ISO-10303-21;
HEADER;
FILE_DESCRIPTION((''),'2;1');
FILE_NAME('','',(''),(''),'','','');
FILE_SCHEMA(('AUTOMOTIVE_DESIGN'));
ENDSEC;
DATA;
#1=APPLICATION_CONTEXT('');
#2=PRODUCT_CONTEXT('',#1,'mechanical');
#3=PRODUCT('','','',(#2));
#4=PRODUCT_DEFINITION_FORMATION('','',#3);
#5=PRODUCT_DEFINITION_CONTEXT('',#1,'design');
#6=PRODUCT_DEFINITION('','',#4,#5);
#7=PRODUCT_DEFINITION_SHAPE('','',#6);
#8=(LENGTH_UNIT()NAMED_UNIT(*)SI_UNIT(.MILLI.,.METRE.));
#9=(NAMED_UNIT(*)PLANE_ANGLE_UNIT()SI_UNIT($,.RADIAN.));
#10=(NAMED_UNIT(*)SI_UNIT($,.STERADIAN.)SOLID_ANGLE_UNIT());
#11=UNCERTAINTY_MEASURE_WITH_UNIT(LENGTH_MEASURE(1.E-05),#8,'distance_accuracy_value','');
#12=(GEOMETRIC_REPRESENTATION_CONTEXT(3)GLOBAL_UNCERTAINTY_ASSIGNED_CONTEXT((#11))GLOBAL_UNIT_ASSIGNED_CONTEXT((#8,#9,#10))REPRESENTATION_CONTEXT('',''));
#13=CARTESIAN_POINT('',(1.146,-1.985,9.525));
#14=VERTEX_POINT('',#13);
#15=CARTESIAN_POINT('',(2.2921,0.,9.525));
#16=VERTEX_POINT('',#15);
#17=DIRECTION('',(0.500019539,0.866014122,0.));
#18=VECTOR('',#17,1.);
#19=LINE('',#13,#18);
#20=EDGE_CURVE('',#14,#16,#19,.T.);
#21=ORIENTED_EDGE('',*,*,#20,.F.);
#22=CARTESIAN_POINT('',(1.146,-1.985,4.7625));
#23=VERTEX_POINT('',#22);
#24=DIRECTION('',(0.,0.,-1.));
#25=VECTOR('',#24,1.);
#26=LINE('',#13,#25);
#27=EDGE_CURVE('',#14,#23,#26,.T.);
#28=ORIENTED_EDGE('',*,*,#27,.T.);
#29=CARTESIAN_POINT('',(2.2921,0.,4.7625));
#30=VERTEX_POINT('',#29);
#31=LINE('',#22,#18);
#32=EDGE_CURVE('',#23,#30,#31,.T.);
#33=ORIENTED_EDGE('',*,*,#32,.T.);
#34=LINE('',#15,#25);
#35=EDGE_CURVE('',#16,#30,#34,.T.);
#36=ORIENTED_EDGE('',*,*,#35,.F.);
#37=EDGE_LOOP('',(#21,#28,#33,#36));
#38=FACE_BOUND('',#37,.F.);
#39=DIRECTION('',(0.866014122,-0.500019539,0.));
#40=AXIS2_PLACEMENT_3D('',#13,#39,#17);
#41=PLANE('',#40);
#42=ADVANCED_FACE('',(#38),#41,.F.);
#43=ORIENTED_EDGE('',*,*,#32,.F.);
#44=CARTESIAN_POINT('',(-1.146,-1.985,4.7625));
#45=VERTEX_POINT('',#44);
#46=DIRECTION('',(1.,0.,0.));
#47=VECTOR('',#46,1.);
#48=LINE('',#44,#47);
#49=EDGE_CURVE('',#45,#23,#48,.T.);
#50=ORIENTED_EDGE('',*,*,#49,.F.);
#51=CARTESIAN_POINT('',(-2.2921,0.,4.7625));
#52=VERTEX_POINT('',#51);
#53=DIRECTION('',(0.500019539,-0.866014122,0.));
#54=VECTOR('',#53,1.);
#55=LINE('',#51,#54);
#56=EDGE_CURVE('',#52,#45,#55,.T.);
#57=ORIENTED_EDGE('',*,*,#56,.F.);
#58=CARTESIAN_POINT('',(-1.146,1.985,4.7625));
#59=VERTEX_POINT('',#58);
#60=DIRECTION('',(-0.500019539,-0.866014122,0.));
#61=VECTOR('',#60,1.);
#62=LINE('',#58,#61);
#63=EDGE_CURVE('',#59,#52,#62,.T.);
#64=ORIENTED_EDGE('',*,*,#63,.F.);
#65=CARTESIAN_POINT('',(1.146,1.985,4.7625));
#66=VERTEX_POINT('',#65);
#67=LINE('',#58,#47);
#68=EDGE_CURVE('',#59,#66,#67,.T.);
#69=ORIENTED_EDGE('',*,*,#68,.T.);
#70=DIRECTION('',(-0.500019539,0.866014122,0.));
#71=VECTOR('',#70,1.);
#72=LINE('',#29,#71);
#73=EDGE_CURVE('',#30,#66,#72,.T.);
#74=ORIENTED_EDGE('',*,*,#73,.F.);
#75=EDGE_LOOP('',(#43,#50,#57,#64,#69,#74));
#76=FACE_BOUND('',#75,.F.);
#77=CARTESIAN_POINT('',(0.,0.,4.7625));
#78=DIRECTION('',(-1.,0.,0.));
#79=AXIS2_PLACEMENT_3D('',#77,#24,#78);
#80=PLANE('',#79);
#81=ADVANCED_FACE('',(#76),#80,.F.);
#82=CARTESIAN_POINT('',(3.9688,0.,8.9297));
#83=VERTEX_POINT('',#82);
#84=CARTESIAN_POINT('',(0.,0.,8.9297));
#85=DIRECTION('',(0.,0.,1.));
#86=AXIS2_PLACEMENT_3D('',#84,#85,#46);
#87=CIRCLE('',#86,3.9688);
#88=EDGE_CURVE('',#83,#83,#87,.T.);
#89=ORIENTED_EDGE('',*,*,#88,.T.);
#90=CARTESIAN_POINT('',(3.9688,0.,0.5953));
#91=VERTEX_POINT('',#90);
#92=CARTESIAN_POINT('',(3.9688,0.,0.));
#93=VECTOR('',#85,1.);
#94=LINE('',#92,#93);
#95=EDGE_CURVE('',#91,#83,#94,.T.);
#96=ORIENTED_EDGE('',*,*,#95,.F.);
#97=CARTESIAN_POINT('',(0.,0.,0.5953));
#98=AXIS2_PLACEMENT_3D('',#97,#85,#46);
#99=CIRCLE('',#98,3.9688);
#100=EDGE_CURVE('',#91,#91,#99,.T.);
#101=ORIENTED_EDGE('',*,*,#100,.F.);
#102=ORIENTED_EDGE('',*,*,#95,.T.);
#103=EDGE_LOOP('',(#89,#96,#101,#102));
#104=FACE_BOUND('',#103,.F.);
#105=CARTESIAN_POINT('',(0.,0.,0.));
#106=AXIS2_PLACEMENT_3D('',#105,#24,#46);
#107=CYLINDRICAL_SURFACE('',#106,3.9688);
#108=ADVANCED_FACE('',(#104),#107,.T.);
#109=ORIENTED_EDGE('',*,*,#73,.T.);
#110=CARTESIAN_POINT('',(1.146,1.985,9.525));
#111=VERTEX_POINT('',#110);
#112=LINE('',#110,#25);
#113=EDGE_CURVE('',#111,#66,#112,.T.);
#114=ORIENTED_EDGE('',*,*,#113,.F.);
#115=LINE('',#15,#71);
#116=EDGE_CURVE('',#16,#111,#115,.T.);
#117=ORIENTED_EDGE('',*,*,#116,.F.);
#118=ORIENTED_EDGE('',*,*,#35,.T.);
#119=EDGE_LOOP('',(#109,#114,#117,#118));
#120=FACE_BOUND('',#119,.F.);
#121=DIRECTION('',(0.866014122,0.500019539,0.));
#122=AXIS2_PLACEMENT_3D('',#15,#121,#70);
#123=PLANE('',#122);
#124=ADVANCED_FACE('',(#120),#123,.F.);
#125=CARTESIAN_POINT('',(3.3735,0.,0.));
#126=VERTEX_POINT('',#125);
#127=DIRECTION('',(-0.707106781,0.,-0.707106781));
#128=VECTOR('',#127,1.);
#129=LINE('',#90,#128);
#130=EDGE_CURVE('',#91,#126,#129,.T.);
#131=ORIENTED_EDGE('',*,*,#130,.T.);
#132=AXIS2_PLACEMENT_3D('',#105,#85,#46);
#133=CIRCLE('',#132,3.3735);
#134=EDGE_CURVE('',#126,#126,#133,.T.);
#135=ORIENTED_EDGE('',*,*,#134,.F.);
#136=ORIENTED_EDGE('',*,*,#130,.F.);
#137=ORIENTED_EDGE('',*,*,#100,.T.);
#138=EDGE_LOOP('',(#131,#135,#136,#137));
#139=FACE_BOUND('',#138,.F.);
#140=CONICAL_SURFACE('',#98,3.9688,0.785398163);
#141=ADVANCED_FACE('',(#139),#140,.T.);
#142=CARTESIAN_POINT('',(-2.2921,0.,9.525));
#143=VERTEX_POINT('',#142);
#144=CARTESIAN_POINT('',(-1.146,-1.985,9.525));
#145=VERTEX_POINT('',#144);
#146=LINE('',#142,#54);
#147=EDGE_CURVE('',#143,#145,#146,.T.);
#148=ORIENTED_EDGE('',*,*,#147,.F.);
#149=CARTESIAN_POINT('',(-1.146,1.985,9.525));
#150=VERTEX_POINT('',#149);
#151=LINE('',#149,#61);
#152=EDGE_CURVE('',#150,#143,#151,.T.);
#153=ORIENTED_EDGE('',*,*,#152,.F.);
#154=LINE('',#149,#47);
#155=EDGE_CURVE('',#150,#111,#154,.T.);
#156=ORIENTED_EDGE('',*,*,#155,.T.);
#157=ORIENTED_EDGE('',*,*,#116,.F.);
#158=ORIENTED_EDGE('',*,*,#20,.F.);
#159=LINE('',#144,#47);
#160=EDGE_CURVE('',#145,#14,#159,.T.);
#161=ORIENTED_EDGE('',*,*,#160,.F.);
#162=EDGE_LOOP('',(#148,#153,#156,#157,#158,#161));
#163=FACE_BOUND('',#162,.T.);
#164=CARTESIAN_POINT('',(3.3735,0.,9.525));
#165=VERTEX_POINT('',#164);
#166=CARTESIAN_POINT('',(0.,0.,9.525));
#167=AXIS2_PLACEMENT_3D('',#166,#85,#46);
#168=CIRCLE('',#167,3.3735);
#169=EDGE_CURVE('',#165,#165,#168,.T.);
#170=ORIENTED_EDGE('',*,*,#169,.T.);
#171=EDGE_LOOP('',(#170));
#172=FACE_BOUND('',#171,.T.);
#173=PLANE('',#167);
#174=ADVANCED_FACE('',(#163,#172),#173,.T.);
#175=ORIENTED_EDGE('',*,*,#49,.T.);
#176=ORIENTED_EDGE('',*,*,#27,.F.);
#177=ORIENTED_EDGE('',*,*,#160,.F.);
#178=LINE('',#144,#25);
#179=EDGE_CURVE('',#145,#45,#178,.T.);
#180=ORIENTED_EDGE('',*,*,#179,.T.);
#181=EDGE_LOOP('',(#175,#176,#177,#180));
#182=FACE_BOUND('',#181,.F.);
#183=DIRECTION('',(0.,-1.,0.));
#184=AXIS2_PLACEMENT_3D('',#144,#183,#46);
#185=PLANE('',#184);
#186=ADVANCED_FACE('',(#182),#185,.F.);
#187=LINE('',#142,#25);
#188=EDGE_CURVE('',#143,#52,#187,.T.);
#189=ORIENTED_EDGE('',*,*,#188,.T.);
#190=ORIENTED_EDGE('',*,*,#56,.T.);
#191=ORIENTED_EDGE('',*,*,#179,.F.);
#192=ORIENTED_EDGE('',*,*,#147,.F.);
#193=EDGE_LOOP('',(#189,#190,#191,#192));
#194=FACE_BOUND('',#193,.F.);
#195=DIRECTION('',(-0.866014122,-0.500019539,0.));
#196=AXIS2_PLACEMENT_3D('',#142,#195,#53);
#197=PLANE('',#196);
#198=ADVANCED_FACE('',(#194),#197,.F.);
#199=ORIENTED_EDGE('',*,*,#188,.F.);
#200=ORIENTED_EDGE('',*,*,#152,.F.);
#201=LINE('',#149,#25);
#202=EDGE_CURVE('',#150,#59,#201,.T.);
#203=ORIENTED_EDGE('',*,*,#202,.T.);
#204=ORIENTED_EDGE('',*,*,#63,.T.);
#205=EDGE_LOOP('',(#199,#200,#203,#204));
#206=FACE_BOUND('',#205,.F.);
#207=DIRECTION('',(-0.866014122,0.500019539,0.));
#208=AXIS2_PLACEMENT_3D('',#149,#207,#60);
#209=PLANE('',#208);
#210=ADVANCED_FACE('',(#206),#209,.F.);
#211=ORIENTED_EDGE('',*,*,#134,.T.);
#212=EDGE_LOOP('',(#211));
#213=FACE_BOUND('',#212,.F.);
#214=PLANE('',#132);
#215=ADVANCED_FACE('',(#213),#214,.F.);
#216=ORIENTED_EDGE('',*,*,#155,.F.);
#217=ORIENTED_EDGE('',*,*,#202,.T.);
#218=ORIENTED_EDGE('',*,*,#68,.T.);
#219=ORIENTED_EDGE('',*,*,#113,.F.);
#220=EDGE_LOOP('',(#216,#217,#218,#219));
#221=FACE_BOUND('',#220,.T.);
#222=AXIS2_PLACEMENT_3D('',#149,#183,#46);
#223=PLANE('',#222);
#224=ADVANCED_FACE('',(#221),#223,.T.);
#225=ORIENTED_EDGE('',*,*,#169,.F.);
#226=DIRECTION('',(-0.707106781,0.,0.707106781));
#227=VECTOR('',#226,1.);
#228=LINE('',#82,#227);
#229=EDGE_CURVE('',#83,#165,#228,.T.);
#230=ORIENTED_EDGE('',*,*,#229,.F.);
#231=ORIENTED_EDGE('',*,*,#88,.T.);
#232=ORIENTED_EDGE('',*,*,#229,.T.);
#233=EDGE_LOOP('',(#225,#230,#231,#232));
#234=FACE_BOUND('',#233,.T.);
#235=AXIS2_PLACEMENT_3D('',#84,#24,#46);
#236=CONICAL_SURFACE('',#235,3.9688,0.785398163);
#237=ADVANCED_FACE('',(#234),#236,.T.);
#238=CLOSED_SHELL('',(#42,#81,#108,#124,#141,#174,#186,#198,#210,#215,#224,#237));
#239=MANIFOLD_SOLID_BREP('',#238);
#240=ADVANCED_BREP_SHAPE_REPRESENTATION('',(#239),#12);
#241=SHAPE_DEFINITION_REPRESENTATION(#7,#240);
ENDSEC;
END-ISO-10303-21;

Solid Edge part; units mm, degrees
sketch "Sketch1" plane through (0, 0, 0) normal (0, 0, 1) x (1, 0, 0)
  circle A0 centre (0, 0) radius 3.9688
  dimension "D1" = 7.9375
extrude "Protrusion1" add sketch "Sketch1" along normal blind 9.525
chamfer "Chamfer1" distance 0.5953 angle 45 2 edges at (-3.9687, 0, 0) (-3.9687, 0, 9.525)
sketch "Sketch2" plane through (0, 0, 9.525) normal (0, 0, 1) x (1, 0, 0)
  line L0 (-1.146, 1.985) -> (1.146, 1.985)
  line L1 (2.2921, 0) -> (1.146, 1.985)
  line L2 (1.146, -1.985) -> (2.2921, 0)
  line L3 (-1.146, -1.985) -> (1.146, -1.985)
  line L4 (-2.2921, 0) -> (-1.146, -1.985)
  line L5 (-1.146, 1.985) -> (-2.2921, 0)
  dimension "D1" = 3.97
extrude "Cutout1" cut sketch "Sketch2" against normal blind 4.7625
properties part number "139523"
